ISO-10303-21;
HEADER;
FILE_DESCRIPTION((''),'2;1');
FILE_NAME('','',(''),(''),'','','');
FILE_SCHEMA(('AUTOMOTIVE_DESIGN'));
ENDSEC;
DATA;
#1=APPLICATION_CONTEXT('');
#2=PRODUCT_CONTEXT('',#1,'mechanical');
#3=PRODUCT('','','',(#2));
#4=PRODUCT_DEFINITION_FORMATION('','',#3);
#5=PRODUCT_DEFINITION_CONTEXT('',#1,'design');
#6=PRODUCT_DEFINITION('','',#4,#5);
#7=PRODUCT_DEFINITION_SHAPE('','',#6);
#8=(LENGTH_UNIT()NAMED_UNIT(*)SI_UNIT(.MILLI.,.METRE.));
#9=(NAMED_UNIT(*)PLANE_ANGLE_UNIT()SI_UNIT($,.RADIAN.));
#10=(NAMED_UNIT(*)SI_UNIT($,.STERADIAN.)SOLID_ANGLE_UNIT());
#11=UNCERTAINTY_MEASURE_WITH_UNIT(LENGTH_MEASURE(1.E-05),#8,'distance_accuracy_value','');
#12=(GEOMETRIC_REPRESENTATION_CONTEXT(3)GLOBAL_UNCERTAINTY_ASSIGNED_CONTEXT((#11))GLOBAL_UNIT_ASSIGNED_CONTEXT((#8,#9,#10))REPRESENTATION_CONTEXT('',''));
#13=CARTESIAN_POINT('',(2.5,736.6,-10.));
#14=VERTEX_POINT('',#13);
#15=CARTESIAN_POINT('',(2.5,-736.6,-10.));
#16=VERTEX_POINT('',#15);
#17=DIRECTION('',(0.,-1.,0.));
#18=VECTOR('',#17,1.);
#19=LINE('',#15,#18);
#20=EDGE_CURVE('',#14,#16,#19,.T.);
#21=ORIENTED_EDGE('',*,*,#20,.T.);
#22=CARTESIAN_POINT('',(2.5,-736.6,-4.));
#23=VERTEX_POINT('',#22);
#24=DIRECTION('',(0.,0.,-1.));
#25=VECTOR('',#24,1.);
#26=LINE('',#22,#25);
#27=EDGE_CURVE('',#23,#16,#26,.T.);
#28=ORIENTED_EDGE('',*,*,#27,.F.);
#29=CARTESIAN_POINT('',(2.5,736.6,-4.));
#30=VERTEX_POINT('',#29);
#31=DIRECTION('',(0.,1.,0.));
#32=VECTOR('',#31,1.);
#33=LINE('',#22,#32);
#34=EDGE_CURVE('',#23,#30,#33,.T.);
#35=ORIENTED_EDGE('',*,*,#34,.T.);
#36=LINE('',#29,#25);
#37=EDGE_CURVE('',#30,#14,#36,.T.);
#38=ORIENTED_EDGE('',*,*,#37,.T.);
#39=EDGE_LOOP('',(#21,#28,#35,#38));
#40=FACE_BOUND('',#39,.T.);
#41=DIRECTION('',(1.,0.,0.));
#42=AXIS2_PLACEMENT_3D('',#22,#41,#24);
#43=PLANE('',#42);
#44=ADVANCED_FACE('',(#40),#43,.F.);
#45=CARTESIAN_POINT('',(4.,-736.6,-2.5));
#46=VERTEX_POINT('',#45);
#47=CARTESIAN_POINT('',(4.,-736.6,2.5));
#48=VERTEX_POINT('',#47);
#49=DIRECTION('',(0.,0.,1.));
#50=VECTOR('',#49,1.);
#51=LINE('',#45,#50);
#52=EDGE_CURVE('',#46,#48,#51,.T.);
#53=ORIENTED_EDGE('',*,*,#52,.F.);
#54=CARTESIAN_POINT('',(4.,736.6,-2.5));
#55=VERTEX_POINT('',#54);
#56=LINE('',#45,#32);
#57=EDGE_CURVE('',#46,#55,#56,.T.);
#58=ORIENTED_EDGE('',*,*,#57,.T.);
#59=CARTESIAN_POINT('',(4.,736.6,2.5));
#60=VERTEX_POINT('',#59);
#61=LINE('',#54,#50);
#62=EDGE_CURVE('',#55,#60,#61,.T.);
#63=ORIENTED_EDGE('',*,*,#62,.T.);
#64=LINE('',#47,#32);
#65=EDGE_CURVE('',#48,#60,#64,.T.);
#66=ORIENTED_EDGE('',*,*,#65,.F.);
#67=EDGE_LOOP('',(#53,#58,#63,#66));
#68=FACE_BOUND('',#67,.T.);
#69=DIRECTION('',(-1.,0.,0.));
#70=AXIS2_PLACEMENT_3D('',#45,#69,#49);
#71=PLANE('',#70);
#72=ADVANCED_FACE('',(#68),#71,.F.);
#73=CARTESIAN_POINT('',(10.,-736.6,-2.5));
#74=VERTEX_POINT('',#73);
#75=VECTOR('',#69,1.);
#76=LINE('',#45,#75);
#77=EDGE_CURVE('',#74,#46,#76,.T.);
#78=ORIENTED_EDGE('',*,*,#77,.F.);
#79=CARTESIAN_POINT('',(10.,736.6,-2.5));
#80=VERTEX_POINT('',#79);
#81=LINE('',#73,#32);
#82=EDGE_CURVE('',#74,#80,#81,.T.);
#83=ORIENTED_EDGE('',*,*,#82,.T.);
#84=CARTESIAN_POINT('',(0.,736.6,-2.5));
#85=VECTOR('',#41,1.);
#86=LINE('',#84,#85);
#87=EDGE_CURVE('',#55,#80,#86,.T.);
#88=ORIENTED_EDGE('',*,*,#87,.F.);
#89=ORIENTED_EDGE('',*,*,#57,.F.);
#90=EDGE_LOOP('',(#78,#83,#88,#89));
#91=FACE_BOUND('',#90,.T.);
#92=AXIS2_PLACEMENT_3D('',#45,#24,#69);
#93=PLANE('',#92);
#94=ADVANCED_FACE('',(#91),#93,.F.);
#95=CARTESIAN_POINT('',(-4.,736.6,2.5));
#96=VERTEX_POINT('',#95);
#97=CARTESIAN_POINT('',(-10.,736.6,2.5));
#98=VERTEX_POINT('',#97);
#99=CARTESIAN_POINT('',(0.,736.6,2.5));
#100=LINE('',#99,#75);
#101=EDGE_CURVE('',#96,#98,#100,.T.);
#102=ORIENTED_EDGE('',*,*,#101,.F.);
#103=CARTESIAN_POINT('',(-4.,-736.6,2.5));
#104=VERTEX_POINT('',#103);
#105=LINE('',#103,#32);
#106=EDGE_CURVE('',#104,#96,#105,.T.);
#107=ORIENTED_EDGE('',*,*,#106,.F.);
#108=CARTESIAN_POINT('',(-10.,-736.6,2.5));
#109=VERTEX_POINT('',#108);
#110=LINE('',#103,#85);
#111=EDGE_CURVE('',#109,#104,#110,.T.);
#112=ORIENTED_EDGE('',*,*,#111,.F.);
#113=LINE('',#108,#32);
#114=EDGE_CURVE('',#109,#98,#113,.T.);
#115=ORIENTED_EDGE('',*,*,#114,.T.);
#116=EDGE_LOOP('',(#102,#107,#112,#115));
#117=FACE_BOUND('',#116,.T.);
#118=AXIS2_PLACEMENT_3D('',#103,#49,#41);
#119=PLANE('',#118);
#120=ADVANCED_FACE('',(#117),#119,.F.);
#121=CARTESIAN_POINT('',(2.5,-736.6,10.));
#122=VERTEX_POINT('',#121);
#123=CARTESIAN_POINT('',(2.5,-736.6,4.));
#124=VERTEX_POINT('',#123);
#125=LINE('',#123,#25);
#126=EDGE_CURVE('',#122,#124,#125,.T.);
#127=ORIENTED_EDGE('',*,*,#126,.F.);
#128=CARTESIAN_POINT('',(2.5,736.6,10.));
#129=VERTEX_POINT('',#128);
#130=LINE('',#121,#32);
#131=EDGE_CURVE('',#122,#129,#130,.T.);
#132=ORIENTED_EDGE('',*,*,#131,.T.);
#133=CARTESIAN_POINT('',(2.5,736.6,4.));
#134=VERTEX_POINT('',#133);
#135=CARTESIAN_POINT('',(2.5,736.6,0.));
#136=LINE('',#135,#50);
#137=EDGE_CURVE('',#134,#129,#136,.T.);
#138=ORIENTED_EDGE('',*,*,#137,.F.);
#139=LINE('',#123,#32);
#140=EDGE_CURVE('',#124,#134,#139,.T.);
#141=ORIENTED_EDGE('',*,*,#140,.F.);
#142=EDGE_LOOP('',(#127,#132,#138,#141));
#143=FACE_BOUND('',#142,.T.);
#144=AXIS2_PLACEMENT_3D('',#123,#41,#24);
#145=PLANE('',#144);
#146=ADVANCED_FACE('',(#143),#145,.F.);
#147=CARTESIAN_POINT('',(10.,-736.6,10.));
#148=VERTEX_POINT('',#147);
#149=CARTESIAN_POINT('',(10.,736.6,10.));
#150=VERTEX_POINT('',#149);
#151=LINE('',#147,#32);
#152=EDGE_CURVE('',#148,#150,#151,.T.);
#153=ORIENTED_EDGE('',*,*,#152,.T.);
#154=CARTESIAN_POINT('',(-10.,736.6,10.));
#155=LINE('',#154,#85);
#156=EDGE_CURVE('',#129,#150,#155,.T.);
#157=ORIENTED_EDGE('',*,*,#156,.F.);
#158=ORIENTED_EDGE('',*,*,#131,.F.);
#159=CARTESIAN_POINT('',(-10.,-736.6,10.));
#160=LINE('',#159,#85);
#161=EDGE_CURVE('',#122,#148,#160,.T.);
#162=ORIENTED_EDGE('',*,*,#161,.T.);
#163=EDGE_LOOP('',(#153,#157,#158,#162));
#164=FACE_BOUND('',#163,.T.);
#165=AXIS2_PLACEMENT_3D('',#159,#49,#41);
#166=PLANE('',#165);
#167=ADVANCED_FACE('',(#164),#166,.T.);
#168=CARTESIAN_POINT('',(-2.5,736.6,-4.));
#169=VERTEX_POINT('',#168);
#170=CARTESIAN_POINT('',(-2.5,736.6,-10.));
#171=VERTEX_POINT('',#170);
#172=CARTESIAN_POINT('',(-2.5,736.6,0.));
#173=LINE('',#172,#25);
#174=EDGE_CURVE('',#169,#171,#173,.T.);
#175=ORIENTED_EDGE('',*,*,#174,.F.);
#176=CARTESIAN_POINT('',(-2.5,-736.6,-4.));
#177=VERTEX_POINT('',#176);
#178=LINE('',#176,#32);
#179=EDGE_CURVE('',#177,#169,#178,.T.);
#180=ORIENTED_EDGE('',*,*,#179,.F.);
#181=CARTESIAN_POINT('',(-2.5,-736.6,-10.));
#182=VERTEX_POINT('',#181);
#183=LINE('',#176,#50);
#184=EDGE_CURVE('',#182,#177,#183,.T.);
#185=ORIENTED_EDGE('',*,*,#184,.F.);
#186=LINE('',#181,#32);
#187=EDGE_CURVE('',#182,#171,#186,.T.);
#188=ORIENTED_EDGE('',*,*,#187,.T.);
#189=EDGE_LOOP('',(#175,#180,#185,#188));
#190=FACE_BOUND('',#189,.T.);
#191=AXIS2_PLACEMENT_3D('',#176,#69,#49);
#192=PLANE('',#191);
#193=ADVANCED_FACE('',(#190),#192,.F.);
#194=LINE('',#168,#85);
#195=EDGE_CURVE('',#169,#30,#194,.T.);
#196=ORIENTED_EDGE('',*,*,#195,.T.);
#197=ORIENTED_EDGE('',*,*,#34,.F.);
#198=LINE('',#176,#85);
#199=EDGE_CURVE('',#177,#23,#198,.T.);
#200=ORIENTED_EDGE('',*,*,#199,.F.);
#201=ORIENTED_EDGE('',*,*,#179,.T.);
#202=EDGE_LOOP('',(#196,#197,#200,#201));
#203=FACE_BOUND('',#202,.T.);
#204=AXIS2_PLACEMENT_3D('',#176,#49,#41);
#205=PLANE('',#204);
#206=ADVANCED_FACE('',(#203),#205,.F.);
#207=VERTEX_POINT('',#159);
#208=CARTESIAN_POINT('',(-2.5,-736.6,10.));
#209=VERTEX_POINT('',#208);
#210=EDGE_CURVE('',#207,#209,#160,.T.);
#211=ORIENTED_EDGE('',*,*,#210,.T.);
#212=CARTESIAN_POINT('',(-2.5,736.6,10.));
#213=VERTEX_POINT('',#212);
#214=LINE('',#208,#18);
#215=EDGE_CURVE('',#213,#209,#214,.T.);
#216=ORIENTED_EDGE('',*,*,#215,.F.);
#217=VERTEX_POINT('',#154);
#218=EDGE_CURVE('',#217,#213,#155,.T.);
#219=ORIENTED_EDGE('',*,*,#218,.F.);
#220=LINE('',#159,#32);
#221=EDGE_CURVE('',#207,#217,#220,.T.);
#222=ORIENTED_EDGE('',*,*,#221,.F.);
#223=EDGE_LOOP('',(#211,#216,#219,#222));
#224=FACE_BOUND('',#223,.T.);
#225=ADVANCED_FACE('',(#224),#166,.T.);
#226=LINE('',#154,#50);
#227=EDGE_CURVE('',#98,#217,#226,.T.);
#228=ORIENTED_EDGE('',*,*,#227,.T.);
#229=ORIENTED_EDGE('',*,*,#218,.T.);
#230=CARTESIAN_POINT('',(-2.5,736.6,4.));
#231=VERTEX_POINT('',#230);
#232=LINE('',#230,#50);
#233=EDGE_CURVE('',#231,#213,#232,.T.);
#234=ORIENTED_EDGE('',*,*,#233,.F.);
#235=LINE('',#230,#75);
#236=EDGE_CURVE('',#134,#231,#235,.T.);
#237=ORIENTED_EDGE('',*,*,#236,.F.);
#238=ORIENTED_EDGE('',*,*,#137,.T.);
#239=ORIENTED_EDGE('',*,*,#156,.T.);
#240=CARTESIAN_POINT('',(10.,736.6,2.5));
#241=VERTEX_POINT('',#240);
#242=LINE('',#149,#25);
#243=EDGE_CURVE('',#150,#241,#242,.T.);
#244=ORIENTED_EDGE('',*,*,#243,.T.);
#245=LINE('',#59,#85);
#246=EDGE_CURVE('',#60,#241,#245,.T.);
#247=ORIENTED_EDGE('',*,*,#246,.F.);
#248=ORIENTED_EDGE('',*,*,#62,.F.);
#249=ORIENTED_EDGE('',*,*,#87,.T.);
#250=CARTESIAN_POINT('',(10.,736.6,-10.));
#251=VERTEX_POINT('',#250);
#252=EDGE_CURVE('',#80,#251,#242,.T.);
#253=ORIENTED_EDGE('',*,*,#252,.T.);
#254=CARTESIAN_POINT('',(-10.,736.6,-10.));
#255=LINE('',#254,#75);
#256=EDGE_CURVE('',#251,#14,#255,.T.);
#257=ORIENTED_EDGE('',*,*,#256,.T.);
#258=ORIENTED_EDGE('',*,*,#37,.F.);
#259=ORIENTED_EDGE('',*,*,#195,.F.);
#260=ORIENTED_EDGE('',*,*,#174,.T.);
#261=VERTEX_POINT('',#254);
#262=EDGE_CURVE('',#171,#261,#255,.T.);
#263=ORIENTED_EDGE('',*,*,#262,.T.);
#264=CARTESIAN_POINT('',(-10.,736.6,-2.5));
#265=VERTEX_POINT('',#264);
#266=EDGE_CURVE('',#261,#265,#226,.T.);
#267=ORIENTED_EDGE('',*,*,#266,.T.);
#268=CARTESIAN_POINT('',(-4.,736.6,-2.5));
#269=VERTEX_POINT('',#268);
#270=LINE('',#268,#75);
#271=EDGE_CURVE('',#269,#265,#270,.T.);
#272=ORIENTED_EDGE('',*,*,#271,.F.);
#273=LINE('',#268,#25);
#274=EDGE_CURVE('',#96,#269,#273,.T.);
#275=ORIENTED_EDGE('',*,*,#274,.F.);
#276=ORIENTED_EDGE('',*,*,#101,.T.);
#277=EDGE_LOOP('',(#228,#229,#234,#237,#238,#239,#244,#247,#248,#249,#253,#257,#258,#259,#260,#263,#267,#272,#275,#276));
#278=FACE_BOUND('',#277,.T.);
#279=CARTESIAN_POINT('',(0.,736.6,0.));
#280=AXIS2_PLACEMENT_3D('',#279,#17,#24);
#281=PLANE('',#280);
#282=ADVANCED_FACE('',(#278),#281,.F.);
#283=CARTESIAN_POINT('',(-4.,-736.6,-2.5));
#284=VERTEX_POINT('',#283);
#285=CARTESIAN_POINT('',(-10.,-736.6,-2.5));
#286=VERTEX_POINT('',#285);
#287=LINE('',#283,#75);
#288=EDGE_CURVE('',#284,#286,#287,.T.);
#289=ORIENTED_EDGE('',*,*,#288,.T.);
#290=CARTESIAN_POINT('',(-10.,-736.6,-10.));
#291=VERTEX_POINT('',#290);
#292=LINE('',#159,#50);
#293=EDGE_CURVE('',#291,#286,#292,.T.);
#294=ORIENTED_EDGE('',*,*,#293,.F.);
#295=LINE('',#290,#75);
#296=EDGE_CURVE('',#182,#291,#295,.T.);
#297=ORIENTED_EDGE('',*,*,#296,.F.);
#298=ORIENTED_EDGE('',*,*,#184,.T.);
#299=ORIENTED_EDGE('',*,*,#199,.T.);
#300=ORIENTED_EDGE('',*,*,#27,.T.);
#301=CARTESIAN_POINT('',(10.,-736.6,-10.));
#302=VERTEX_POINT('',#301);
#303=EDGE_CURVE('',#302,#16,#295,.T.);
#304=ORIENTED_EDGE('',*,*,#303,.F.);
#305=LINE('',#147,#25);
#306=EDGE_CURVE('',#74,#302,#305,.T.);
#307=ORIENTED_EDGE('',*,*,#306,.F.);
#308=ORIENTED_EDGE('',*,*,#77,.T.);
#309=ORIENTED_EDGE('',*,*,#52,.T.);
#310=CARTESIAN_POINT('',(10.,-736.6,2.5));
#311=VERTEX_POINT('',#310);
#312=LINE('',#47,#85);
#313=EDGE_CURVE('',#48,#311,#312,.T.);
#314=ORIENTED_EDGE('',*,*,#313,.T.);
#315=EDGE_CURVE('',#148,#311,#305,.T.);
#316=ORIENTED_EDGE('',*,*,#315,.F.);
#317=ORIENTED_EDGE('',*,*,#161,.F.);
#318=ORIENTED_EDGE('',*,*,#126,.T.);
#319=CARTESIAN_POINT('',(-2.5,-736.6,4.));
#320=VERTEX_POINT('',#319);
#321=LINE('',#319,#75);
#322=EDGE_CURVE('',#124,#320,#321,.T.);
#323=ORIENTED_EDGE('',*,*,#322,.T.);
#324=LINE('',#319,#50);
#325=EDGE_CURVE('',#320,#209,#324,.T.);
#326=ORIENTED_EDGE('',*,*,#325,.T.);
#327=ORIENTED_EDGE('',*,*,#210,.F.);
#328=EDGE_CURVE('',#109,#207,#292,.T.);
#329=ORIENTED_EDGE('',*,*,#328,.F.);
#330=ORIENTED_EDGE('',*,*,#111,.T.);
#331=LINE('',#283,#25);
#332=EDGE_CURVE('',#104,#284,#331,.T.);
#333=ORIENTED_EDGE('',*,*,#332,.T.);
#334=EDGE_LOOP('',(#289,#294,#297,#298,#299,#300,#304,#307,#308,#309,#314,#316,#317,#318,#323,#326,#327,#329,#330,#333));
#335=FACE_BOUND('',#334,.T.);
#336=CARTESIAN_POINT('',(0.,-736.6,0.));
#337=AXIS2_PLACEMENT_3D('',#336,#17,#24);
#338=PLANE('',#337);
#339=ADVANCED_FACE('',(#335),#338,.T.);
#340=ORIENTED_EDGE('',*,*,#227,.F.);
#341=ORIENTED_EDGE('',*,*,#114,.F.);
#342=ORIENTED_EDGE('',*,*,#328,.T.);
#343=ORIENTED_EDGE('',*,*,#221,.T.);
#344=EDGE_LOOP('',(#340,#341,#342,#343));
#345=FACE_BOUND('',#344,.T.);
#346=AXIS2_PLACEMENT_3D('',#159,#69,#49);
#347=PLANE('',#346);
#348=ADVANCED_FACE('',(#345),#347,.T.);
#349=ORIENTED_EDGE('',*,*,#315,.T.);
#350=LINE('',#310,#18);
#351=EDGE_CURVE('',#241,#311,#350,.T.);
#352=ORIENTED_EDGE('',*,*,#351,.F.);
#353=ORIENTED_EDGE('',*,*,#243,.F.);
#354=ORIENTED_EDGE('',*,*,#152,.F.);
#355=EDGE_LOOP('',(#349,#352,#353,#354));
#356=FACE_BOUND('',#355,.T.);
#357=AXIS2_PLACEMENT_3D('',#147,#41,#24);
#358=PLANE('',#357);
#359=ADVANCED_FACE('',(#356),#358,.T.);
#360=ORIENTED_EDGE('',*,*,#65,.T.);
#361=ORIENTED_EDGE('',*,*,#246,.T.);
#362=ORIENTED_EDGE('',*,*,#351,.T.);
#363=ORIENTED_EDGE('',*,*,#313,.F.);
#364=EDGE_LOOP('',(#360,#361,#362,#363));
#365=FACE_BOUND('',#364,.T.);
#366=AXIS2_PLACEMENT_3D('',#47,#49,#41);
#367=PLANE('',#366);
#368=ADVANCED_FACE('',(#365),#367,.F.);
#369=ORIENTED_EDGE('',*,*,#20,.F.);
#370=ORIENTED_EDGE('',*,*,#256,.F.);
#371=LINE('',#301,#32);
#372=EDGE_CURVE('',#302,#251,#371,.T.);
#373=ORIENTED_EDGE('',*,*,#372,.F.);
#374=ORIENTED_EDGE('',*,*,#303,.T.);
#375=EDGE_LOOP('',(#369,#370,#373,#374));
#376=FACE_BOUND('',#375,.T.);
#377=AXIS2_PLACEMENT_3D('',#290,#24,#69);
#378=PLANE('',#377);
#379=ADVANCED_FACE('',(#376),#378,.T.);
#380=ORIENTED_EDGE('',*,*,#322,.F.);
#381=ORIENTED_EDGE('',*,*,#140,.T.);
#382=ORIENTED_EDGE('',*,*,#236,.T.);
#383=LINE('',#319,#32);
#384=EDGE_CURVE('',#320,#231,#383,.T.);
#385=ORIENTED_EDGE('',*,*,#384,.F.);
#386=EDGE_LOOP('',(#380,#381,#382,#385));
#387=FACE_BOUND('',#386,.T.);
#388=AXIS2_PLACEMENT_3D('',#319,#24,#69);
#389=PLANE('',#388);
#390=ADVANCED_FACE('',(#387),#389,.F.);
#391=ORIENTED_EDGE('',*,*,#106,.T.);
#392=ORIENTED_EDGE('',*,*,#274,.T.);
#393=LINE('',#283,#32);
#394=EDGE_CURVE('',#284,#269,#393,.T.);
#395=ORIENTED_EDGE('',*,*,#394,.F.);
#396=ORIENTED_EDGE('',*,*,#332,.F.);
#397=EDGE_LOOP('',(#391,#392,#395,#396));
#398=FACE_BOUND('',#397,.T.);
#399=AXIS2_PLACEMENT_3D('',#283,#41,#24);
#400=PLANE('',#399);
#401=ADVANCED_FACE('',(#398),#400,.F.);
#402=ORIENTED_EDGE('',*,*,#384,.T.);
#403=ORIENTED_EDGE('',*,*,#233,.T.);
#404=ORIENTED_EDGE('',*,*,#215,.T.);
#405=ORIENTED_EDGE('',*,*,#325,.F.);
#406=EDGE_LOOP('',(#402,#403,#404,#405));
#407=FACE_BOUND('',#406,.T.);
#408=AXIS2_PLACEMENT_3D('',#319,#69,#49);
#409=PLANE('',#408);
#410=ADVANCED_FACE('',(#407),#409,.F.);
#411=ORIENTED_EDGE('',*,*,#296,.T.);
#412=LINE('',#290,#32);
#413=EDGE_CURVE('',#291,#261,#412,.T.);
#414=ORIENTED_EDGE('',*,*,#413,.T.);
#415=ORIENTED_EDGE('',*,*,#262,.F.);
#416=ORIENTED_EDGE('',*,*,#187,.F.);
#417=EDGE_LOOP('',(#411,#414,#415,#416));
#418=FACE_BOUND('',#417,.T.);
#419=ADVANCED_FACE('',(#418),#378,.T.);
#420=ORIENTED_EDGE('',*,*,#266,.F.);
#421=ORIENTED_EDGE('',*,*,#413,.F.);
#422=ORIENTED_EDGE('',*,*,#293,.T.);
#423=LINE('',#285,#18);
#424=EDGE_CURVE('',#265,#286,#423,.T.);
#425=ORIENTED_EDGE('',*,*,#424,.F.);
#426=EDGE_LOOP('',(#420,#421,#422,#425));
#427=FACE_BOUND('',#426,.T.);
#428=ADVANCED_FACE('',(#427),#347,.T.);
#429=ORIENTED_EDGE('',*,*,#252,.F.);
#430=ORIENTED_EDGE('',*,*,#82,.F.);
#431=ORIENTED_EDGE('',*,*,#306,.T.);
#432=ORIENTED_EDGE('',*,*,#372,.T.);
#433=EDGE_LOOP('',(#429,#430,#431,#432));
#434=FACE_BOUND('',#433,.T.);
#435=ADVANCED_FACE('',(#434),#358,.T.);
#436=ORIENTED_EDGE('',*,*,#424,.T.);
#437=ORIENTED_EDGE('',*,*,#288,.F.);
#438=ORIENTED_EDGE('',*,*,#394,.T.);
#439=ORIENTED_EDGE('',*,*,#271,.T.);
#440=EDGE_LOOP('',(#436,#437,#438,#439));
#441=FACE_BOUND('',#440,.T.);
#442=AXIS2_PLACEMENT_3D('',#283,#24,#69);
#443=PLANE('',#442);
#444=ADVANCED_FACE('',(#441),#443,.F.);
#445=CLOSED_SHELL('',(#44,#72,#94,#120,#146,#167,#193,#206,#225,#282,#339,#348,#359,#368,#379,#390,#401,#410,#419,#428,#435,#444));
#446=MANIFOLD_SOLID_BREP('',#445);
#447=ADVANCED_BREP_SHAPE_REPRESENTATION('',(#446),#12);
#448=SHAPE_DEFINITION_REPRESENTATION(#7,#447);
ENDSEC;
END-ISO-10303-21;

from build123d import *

# Parameters (mm, degrees)
BOSS_EXTRUDE1_DEPTH      = 736.6
BOSS_EXTRUDE1_DEPTH_BACK = 736.6
SKETCH1_W                = 20
SKETCH1_H                = 20
CUT_EXTRUDE1_DEPTH       = 737.735746384
CUT_EXTRUDE1_DEPTH_BACK  = 737.735746384
SKETCH2_W                = 5
SKETCH2_H                = 12
SKETCH2_W_2              = 12
SKETCH2_H_2              = 5


with BuildPart() as part:
    # Sketch1 → Boss-Extrude1 (new, two sides: drawn at the far end of the back side and taken through both)
    with BuildSketch(Plane(origin=(0, 0, 0), x_dir=(1, 0, 0), z_dir=(0, 1, 0)).offset(-BOSS_EXTRUDE1_DEPTH_BACK)):
        Rectangle(SKETCH1_W, SKETCH1_H)
    extrude(amount=BOSS_EXTRUDE1_DEPTH + BOSS_EXTRUDE1_DEPTH_BACK)

    # Sketch2 → Cut-Extrude1 (cut, two sides: drawn at the far end of the back side and taken through both)
    with BuildSketch(Plane(origin=(0, 0, 0), x_dir=(1, 0, 0), z_dir=(0, 1, 0)).offset(-CUT_EXTRUDE1_DEPTH_BACK)):
        with Locations((0, 10)):
            Rectangle(SKETCH2_W, SKETCH2_H)
        with Locations((10, 0)):
            Rectangle(SKETCH2_W_2, SKETCH2_H_2)
        with Locations((-10, 0)):
            Rectangle(SKETCH2_W_2, SKETCH2_H_2)
        with Locations((0, -10)):
            Rectangle(SKETCH2_W, SKETCH2_H)
    extrude(amount=CUT_EXTRUDE1_DEPTH + CUT_EXTRUDE1_DEPTH_BACK, mode=Mode.SUBTRACT)


solid = part.part
